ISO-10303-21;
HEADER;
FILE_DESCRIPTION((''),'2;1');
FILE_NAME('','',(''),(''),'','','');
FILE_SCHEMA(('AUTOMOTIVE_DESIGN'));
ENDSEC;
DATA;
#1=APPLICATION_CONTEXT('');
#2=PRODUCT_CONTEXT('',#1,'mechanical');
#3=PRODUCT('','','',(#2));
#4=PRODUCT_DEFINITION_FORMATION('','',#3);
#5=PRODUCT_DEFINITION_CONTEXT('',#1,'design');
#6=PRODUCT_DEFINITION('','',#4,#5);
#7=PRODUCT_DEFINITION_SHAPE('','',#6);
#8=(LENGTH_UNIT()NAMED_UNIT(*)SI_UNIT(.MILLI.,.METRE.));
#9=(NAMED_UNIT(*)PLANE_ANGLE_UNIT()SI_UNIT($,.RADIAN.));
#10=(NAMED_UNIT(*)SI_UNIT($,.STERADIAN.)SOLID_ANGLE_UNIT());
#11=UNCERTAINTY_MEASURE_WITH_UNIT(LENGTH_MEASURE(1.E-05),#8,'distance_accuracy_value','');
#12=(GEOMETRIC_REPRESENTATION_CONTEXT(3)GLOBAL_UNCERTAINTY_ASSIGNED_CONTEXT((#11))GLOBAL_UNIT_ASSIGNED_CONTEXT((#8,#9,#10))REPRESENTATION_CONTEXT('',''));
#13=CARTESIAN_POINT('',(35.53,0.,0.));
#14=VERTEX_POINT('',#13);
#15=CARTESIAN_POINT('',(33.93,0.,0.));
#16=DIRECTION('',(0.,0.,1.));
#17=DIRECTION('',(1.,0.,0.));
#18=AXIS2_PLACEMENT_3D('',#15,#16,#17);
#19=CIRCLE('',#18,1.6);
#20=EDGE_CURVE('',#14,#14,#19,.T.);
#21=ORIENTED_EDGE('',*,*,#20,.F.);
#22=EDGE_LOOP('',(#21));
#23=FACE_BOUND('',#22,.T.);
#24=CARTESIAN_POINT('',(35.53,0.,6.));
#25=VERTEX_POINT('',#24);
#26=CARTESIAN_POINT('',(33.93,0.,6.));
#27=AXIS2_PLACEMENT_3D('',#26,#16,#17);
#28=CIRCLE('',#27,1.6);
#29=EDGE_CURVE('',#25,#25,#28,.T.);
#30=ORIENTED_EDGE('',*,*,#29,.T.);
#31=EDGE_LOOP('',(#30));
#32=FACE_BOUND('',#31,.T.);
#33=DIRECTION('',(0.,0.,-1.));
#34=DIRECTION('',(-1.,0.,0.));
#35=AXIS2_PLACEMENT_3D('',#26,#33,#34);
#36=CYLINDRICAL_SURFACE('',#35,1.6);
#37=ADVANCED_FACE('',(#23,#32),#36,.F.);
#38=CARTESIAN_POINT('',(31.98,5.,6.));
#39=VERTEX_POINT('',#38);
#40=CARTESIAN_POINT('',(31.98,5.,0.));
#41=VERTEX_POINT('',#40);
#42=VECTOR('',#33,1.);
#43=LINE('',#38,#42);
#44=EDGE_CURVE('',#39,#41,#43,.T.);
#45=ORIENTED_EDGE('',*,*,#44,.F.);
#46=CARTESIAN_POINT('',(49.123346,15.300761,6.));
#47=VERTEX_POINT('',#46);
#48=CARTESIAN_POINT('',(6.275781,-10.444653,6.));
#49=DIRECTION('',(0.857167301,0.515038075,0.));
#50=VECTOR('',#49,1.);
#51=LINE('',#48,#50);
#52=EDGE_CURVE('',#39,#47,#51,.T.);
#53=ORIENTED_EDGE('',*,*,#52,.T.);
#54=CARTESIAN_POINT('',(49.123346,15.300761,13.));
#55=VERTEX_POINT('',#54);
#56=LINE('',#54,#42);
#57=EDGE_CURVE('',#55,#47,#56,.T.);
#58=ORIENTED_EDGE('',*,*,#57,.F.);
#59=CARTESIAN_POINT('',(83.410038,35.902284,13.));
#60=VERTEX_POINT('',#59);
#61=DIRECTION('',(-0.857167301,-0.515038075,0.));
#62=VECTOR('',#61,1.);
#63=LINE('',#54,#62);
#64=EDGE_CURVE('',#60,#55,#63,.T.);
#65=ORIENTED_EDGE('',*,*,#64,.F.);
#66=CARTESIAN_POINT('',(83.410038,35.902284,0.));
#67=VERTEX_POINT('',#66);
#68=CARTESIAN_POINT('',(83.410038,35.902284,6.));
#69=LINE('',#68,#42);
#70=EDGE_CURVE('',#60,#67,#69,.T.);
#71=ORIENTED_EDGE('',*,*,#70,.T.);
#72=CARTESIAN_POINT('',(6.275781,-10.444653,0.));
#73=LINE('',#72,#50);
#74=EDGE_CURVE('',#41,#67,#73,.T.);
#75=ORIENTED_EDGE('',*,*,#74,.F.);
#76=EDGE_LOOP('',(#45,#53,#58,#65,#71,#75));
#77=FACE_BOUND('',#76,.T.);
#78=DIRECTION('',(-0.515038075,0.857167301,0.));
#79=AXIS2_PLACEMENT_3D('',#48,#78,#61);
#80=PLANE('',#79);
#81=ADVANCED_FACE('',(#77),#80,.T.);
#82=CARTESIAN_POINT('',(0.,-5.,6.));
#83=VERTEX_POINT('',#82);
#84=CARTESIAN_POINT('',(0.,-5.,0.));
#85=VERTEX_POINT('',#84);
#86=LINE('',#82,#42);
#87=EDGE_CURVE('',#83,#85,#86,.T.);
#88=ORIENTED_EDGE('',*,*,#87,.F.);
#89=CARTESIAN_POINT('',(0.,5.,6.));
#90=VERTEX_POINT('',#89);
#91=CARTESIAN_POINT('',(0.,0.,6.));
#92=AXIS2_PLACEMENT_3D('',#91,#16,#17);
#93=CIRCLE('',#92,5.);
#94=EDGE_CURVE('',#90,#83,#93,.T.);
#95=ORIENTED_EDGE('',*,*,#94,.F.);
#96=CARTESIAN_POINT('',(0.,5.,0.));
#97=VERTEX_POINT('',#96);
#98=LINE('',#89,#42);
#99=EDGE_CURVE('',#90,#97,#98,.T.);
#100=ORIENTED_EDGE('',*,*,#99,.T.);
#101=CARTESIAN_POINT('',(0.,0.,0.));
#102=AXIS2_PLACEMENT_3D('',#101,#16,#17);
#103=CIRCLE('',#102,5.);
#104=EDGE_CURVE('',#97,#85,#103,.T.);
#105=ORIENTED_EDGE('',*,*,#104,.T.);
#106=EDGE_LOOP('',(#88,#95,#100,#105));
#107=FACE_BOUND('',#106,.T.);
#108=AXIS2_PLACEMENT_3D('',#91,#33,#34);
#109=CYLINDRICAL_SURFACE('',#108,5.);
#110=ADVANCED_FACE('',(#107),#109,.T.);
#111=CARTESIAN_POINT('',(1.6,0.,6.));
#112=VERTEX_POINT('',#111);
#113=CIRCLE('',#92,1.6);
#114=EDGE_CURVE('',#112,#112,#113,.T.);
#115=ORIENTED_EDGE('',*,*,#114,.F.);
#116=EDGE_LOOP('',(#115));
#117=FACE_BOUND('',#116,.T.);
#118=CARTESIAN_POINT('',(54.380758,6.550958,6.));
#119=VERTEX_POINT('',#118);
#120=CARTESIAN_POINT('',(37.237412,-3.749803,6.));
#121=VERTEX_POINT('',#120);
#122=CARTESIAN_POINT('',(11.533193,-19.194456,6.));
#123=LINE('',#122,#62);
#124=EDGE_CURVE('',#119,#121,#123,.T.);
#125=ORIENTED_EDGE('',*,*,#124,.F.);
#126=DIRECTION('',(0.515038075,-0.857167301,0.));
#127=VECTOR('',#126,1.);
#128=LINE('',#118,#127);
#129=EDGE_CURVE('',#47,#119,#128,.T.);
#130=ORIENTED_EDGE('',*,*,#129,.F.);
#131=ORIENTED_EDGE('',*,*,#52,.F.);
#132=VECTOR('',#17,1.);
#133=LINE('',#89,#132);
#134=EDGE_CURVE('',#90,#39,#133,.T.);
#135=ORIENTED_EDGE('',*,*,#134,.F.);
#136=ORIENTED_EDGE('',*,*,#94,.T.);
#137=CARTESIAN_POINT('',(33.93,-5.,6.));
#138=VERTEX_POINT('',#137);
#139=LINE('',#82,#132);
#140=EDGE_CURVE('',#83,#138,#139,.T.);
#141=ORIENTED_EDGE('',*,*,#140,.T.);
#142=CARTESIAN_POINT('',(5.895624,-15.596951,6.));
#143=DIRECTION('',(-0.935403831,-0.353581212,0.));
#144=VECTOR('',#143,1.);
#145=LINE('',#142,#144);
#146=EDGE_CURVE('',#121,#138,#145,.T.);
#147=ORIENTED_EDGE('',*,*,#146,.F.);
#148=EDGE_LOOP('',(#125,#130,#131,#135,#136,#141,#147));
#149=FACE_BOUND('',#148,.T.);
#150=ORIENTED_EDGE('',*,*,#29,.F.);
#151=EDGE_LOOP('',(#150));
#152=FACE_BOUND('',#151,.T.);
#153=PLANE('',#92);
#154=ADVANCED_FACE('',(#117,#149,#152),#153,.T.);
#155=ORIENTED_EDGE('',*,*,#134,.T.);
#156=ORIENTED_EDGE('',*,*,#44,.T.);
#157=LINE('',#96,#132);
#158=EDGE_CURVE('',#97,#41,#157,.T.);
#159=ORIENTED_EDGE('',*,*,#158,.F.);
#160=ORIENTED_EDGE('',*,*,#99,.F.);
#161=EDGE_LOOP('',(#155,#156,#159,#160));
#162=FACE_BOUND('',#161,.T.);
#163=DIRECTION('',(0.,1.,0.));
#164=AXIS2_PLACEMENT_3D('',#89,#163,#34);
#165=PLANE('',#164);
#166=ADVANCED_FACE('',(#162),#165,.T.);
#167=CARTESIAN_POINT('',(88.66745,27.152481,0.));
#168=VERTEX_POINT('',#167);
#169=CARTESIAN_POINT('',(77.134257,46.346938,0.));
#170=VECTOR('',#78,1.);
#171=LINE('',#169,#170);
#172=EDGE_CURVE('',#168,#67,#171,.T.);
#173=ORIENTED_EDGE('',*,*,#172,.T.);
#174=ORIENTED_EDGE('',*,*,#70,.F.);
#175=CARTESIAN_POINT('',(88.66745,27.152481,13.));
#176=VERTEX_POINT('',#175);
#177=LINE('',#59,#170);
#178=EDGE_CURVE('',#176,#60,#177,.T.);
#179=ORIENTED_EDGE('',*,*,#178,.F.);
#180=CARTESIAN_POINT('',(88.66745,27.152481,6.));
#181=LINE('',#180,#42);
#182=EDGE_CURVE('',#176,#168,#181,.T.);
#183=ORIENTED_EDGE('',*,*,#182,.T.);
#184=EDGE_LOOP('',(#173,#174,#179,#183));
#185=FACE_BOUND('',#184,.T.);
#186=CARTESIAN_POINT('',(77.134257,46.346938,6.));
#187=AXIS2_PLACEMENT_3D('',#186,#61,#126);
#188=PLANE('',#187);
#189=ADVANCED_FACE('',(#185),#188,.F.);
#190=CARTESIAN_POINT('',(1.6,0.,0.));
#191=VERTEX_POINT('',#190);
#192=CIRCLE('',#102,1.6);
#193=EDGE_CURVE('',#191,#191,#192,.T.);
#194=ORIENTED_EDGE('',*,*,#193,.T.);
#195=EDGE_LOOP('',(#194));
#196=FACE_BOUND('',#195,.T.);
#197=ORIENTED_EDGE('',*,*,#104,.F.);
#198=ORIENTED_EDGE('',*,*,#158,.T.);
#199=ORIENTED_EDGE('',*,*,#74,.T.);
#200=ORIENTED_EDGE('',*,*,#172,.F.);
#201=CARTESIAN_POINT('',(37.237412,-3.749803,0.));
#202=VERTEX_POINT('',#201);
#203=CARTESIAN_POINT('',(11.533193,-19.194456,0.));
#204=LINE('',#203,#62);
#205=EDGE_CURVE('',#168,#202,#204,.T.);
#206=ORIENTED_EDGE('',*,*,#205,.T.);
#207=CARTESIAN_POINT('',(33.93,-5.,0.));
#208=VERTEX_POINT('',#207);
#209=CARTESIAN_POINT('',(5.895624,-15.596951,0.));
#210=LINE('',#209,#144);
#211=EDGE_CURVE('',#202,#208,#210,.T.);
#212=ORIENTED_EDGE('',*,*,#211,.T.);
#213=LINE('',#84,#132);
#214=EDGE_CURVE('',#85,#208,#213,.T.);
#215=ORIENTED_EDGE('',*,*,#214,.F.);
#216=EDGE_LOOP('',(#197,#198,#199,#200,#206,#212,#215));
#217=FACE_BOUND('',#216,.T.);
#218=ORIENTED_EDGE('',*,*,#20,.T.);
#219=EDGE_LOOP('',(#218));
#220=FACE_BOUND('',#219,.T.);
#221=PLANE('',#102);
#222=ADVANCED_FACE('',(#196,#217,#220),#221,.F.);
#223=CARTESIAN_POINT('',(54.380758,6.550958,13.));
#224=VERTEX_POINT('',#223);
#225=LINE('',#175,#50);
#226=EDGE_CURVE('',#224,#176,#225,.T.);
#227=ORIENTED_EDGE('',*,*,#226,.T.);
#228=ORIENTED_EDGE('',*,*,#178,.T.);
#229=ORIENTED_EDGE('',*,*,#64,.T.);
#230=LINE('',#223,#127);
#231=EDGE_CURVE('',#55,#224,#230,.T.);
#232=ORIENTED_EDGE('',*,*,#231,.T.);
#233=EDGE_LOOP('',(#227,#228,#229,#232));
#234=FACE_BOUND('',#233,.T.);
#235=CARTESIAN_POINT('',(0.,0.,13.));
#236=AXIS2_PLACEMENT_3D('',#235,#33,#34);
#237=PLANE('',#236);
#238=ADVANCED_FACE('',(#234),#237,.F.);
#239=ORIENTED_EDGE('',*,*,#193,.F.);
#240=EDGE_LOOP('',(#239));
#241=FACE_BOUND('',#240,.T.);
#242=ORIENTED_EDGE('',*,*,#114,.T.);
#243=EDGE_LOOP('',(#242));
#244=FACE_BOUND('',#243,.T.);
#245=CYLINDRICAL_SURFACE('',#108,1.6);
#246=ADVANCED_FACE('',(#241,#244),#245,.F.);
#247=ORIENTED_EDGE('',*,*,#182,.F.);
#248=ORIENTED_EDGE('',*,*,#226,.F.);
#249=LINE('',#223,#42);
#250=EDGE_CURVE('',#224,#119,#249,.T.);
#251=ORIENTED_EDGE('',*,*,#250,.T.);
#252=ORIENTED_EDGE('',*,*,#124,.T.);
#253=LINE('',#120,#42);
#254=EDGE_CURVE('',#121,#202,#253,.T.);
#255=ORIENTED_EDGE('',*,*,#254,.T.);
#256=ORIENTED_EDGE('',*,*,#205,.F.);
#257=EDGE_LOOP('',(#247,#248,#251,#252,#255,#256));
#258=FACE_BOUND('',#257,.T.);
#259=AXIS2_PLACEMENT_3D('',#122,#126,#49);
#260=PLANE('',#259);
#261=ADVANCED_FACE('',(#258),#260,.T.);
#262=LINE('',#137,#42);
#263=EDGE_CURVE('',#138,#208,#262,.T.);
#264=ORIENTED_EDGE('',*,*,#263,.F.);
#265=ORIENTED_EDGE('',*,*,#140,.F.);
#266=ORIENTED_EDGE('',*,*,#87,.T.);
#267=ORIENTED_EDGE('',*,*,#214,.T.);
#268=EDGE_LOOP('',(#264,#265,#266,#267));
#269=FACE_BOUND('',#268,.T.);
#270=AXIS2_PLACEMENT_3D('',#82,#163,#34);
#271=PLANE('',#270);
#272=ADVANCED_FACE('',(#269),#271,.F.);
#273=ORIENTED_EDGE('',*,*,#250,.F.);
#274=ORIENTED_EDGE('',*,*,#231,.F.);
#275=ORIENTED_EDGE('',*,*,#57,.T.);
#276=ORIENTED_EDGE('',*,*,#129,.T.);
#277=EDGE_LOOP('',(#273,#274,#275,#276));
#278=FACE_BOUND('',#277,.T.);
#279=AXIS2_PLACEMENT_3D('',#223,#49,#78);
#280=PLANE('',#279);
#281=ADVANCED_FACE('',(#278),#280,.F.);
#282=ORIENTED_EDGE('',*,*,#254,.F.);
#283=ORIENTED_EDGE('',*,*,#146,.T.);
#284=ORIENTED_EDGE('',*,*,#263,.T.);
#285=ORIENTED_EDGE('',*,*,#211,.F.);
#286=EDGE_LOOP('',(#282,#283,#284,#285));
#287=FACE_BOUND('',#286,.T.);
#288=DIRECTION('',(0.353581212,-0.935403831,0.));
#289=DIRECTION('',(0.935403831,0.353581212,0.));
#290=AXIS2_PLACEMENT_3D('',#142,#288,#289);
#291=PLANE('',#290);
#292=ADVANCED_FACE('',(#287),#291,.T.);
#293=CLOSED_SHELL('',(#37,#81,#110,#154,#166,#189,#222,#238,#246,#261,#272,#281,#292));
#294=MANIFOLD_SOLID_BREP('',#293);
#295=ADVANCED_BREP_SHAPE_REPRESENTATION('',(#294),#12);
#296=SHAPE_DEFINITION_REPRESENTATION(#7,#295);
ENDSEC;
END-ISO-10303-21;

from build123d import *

# Parameters (mm, degrees)
SKETCH1_R               = 1.6
BOSS_EXTRUDE1_DEPTH     = 6
SALIENTE_EXTRUIR1_DEPTH = 7


with BuildPart() as part:
    # Sketch1 → Boss-Extrude1 (new body)
    # profile 1 of 2: a face of its own
    with BuildSketch(Plane.XY):
        with BuildLine():
            Line((31.98, 5), (0, 5))
            ThreePointArc((0, 5), (-5, 0), (0, -5))
            Line((0, -5), (33.93, -5))
            Line((33.93, -5), (37.237412205, -3.749803263))
            ThreePointArc((37.237412205, -3.749803263), (38.607019153, 1.767906062), (33.93, 5))
            Line((33.93, 5), (31.98, 5))
        make_face()
        Circle(SKETCH1_R, mode=Mode.SUBTRACT)
        with Locations((33.93, 0)):
            Circle(SKETCH1_R, mode=Mode.SUBTRACT)
    # profile 2 of 2: a face of its own
    with BuildSketch(Plane.XY):
        with BuildLine():
            Line((83.410038042, 35.902284495), (31.98, 5))
            Line((31.98, 5), (33.93, 5))
            ThreePointArc((33.93, 5), (38.607019153, 1.767906062), (37.237412205, -3.749803263))
            Line((37.237412205, -3.749803263), (88.667450247, 27.152481232))
            Line((88.667450247, 27.152481232), (83.410038042, 35.902284495))
        make_face()
    extrude(amount=BOSS_EXTRUDE1_DEPTH)

    # Croquis3 → Saliente-Extruir1 (add)
    with BuildSketch(Plane.XY.offset(6)):
        Polygon((83.410038042, 35.902284495), (88.667450247, 27.152481232), (54.380758219, 6.550958236), (49.123346014, 15.300761498), align=None)
    extrude(amount=SALIENTE_EXTRUIR1_DEPTH)


solid = part.part
